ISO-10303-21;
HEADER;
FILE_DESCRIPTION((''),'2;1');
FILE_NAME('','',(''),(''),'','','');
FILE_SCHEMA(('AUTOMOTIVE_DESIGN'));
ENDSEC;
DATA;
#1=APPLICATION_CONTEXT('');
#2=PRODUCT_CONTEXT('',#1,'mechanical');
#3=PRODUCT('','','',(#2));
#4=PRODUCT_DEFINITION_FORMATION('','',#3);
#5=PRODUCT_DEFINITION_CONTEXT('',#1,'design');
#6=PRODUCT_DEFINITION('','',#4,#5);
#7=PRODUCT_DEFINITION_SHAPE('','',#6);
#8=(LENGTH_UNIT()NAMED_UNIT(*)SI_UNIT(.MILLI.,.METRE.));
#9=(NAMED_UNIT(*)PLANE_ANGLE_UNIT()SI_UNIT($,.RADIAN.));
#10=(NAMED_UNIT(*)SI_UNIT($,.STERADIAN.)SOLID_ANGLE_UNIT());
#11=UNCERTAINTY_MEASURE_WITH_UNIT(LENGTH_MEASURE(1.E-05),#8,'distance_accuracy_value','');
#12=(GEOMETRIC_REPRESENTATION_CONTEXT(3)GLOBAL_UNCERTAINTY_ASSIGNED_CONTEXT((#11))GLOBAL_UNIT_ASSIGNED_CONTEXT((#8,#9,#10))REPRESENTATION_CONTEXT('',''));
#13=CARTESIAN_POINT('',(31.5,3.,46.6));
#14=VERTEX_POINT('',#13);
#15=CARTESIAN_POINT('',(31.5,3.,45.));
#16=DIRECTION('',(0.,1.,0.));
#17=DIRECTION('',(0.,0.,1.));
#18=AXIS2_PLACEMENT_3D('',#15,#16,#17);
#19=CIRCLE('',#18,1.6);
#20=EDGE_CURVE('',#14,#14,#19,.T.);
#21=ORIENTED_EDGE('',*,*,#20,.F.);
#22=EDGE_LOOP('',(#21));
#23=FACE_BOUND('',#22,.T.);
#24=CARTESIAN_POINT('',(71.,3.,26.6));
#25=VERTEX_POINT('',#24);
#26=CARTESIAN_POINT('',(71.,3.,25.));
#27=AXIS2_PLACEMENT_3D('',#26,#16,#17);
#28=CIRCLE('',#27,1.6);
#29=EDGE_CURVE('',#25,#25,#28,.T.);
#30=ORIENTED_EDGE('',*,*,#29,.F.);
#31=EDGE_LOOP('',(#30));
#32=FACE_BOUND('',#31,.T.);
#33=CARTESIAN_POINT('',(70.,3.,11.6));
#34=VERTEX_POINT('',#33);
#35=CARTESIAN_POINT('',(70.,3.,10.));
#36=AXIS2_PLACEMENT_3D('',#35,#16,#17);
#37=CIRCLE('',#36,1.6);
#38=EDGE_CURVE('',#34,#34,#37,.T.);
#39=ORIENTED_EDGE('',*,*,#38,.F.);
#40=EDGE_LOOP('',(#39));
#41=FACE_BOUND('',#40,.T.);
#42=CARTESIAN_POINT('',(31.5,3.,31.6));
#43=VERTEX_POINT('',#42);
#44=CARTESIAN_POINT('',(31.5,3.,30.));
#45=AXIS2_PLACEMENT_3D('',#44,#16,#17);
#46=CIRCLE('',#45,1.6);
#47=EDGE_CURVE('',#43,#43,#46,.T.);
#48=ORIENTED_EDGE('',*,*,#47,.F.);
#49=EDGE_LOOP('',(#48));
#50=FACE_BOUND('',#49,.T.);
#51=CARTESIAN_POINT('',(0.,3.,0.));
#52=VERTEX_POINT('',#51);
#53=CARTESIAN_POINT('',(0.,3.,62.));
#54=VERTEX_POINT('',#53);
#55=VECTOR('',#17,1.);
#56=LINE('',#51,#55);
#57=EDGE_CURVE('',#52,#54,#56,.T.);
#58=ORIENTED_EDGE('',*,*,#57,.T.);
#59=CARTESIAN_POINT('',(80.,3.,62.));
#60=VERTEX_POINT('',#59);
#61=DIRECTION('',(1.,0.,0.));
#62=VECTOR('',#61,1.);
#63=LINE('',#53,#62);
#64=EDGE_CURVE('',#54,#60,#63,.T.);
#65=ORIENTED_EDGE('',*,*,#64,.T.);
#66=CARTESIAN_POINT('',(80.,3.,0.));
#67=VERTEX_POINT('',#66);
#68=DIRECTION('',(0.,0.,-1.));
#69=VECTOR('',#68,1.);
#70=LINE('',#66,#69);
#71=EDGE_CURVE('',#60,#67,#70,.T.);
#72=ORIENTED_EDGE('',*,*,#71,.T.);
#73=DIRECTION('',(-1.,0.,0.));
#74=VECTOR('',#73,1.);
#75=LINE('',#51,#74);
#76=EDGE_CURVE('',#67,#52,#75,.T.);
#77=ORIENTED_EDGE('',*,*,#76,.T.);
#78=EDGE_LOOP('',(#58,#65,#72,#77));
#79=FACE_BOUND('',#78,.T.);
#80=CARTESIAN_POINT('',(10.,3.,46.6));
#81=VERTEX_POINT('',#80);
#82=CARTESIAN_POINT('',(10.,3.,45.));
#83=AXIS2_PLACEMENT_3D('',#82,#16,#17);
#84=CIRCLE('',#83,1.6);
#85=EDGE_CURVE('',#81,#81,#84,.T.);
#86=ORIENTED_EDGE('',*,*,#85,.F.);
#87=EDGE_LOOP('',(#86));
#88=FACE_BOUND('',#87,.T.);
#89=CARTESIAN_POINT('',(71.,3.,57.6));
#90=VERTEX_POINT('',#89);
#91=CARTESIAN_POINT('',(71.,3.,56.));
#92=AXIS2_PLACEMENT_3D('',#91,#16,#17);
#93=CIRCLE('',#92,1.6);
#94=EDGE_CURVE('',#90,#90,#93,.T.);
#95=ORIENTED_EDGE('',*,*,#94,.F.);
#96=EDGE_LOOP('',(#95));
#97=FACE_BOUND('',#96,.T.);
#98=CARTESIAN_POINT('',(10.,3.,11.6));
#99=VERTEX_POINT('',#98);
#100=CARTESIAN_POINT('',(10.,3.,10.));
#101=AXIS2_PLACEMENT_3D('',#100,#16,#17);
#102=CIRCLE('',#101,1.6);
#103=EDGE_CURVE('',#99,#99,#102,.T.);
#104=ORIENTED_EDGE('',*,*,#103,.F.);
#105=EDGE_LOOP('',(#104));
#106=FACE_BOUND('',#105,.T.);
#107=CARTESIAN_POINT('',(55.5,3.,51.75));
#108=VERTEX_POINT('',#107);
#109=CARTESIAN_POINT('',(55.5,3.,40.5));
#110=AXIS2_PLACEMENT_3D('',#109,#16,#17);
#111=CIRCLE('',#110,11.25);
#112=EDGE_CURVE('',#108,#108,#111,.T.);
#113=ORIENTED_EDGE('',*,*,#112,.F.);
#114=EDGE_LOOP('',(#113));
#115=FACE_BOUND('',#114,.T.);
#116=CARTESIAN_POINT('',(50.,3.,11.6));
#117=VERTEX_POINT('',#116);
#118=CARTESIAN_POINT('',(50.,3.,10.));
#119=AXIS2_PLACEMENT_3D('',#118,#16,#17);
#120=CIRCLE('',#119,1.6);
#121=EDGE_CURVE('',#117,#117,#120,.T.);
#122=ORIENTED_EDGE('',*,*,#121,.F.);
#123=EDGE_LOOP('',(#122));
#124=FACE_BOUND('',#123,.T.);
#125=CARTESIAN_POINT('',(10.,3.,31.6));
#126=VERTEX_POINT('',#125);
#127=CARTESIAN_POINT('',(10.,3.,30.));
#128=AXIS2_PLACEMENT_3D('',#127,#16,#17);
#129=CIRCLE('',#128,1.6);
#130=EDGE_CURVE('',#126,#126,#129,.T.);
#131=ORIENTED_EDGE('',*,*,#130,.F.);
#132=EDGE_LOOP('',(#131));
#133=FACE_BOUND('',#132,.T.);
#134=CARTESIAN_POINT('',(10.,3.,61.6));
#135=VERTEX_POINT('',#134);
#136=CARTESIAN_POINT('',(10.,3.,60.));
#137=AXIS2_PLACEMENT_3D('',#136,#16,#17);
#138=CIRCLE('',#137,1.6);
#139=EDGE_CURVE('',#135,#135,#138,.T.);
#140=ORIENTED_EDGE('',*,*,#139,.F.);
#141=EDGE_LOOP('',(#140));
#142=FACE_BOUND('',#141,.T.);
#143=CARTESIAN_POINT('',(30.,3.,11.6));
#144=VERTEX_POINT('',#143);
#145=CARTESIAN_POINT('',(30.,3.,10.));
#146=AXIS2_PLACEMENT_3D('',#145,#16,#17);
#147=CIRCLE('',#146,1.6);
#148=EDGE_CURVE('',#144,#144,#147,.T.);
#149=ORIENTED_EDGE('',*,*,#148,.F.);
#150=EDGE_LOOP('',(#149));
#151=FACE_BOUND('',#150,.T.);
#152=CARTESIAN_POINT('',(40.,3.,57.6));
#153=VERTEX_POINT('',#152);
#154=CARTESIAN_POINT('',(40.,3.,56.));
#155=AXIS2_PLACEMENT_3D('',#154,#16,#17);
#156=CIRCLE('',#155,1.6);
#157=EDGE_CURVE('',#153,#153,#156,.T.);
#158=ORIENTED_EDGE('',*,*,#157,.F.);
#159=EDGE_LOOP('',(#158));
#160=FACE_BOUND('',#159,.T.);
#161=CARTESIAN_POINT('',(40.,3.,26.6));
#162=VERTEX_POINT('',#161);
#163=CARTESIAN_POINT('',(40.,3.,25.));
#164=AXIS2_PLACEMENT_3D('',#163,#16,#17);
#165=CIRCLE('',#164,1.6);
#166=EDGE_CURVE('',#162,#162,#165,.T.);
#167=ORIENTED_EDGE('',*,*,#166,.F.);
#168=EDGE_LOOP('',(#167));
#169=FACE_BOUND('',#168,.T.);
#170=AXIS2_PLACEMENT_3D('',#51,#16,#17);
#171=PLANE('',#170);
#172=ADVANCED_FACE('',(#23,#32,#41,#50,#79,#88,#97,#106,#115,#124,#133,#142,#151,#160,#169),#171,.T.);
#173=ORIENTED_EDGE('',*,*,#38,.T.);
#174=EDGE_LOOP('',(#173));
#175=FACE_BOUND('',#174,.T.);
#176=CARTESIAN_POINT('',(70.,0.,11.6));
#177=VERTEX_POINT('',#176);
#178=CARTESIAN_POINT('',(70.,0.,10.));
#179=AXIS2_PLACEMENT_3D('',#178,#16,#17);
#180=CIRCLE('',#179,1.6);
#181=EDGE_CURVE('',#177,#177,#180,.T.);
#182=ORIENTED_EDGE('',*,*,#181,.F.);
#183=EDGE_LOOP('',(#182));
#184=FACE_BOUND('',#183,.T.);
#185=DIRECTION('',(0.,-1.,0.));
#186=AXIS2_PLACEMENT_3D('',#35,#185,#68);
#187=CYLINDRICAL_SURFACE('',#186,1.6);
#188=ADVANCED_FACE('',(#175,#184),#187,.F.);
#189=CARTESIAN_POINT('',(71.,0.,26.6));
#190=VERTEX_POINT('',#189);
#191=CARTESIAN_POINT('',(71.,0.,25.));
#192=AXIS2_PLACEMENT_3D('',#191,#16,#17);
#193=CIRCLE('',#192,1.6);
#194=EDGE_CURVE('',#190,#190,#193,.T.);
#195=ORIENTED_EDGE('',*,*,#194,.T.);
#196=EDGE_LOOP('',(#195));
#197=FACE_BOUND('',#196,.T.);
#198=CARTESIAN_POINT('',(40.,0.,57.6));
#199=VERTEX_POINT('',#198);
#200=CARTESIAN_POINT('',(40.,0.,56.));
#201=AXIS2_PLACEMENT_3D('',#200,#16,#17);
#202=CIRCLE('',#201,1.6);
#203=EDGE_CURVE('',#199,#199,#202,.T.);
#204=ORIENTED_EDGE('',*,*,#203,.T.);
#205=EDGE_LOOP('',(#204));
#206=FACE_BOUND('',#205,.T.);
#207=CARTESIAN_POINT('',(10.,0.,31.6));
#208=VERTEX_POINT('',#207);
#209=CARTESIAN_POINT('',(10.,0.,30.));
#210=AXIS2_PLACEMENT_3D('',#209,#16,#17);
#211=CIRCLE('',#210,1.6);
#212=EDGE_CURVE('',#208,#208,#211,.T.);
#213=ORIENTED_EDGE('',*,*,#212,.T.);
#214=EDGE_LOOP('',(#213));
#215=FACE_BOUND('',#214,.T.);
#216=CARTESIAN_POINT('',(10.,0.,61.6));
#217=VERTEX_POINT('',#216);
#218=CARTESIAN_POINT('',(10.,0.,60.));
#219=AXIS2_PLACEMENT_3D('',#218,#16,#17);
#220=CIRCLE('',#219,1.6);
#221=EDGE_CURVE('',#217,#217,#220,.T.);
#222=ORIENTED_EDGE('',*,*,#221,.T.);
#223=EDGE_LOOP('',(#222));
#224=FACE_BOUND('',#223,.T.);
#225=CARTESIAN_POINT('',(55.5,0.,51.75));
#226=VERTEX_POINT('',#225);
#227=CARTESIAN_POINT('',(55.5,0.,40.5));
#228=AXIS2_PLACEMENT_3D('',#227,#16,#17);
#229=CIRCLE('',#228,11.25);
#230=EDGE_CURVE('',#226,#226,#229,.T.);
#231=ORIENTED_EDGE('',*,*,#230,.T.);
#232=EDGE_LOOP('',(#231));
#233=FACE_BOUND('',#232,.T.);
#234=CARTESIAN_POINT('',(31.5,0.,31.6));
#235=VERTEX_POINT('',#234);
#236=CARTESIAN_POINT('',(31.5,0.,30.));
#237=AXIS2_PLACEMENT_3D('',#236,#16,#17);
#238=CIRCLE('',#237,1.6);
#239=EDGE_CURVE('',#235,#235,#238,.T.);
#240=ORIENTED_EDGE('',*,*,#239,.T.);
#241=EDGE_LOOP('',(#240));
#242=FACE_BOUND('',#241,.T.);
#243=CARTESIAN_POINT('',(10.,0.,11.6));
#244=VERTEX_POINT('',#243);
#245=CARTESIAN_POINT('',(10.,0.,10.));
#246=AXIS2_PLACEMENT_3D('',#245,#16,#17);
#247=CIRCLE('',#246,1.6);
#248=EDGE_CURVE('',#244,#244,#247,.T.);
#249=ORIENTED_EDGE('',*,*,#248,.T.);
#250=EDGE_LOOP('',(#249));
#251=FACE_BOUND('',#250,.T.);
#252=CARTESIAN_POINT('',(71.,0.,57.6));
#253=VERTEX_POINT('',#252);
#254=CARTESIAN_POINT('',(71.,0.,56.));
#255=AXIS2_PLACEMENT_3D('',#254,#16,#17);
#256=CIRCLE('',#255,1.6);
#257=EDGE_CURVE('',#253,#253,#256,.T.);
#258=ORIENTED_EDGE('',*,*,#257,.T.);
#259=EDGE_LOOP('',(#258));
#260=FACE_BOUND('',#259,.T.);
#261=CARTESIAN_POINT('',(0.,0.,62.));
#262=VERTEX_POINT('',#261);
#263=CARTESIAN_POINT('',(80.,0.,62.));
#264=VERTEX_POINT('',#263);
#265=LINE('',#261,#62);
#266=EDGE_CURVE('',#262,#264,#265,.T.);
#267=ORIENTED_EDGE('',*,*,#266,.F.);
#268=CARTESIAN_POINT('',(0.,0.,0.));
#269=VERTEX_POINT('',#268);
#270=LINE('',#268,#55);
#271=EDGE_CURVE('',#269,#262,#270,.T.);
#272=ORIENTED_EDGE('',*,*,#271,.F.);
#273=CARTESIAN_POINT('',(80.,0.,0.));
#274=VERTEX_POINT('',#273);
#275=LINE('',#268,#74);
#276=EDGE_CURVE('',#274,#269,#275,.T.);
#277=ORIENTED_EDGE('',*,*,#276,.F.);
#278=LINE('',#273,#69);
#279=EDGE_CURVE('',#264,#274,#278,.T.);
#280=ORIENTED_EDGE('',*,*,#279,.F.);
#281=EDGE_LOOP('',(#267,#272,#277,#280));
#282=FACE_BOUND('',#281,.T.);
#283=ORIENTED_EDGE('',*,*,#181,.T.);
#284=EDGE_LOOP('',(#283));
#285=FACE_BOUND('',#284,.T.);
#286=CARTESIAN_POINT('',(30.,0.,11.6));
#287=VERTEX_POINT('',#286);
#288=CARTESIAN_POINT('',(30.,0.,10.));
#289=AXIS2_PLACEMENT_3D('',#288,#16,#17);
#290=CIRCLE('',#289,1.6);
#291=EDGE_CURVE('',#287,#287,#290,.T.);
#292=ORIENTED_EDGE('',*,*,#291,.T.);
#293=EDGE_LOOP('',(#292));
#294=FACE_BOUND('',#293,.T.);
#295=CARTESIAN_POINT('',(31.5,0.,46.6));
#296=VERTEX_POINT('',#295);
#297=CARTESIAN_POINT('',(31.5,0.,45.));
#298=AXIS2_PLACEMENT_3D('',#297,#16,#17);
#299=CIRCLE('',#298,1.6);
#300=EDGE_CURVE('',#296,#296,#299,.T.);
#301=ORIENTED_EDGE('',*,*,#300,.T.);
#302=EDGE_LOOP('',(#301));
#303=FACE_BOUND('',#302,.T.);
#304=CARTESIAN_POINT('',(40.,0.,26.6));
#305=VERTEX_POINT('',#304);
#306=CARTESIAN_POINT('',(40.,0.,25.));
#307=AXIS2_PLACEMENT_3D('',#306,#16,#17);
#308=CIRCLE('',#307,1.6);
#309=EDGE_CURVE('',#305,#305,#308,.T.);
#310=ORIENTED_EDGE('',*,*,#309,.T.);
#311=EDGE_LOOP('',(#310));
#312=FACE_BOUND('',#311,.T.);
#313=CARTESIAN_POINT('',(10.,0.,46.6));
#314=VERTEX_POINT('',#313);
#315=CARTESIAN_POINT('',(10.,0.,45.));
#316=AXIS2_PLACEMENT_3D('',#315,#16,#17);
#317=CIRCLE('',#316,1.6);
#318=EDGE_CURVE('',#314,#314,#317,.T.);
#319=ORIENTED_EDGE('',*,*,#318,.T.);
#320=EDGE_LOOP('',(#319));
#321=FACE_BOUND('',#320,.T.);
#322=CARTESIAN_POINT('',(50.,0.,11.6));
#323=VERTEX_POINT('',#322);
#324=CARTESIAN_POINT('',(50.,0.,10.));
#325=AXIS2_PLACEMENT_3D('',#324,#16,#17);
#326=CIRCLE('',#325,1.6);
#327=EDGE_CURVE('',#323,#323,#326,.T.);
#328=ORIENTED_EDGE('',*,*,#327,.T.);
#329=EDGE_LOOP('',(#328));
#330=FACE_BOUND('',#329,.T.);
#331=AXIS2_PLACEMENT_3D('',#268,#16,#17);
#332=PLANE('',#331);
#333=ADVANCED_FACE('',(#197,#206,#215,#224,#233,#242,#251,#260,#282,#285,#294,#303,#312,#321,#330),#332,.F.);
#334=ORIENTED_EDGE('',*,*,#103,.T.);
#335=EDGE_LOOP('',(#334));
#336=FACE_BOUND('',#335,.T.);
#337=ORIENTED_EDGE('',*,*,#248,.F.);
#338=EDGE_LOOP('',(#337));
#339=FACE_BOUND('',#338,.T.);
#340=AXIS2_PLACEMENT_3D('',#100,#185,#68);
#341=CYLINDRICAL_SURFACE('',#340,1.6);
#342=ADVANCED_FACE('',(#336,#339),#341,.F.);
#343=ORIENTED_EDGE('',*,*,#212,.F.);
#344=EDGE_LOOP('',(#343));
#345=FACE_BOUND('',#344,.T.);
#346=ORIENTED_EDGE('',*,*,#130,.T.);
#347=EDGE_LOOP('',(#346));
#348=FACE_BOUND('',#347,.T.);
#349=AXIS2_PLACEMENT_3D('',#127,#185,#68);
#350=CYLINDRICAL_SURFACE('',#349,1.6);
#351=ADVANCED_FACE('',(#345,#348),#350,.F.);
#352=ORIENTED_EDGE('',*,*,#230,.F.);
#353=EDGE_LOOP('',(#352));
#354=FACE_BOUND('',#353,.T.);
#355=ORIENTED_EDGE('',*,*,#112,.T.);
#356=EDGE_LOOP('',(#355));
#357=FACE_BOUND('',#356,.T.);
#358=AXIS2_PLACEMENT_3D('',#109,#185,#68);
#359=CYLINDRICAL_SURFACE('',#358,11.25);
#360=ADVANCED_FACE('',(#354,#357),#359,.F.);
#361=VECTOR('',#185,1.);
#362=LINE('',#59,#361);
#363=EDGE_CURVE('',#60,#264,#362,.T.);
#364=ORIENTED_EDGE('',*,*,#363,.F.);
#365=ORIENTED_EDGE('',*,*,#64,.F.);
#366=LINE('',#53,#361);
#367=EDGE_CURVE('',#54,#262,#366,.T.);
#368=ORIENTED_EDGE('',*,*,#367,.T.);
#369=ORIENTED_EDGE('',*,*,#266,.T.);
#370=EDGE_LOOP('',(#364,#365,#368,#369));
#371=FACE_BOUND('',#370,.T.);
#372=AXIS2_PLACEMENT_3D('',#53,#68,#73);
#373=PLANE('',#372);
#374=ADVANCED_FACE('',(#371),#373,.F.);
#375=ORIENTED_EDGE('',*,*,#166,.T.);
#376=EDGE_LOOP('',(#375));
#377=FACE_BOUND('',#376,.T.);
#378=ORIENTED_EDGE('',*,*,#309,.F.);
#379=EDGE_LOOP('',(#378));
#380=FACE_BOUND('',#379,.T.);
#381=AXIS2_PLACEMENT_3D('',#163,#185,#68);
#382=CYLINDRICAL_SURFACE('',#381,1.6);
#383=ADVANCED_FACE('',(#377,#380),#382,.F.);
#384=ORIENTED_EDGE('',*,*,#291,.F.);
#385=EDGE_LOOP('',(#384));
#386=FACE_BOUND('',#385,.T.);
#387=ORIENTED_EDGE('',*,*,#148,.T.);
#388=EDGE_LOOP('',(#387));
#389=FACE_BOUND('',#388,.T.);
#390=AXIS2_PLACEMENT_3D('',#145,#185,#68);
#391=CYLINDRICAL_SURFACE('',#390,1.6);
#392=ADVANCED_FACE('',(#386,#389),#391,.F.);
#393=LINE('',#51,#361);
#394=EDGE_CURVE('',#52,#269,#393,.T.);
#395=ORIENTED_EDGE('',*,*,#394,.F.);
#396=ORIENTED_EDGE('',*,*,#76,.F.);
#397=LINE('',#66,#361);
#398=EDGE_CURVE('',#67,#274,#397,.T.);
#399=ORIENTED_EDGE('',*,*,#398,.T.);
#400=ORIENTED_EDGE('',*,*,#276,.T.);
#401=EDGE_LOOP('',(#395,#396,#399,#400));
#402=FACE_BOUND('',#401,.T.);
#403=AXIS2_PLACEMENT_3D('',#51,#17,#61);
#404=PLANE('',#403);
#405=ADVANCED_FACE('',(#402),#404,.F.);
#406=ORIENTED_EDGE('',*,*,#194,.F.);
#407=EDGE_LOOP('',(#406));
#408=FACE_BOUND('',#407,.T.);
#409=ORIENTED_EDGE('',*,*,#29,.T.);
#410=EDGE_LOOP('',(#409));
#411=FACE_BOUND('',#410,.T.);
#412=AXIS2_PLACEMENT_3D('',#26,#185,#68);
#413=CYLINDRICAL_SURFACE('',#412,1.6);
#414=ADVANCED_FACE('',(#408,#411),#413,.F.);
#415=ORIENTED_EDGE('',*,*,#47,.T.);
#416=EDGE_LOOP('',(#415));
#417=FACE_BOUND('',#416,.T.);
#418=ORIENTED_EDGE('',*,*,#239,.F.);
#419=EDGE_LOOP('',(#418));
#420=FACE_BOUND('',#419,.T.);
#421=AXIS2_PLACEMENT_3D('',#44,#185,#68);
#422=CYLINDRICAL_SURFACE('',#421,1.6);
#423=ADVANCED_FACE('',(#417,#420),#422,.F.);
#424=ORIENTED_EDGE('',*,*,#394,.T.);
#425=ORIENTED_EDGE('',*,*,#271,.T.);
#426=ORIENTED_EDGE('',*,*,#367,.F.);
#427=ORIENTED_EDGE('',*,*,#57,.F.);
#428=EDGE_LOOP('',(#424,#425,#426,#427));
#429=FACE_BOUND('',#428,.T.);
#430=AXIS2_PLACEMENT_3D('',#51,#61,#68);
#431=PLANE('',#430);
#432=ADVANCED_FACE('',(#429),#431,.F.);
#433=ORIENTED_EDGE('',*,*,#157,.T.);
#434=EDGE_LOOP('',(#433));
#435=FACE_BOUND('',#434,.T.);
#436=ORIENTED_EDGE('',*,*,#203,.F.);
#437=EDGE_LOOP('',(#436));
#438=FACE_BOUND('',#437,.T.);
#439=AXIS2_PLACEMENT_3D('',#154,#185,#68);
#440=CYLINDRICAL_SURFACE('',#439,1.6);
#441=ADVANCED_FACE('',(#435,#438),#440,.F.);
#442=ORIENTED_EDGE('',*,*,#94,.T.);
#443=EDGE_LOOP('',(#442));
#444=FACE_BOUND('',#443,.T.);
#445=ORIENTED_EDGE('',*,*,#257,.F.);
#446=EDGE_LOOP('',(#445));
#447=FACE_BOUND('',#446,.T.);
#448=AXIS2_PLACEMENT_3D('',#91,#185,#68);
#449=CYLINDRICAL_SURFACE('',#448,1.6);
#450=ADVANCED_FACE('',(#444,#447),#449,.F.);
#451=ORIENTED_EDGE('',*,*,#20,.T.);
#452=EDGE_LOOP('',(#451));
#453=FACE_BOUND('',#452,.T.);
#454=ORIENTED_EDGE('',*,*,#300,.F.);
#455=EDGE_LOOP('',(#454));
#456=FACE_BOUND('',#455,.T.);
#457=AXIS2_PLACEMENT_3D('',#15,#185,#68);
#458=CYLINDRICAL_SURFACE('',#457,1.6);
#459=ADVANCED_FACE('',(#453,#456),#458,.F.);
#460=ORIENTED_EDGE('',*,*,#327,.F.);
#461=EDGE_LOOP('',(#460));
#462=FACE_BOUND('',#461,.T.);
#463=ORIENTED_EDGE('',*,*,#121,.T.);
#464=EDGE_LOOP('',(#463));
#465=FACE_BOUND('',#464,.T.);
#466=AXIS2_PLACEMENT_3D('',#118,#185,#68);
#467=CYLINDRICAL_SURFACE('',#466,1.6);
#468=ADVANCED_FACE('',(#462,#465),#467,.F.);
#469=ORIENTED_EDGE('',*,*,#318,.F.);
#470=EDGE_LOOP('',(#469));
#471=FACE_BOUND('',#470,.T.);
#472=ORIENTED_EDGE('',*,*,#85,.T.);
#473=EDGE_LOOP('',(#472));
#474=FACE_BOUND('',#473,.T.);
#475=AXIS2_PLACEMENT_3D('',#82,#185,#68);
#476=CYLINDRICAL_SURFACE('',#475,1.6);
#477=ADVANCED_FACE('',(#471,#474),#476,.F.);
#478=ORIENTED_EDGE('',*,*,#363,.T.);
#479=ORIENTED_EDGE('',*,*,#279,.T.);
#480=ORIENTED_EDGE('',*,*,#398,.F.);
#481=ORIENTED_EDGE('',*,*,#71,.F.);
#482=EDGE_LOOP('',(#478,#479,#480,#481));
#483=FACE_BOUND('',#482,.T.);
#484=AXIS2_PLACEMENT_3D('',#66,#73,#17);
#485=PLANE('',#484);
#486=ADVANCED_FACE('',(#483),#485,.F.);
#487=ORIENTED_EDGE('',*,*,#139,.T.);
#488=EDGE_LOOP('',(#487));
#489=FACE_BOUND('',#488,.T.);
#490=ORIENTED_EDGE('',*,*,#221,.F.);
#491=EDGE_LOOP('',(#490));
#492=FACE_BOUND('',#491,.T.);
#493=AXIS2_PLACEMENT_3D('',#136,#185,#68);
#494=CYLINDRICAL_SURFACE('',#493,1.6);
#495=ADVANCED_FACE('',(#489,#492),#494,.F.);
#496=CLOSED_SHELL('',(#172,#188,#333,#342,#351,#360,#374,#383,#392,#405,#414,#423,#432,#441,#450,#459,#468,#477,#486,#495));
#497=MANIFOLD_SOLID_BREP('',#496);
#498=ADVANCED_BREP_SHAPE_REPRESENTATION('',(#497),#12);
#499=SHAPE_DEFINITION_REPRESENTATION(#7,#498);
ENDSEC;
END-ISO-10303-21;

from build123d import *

# Parameters (mm, degrees)
SKETCH_1_W      = 80
SKETCH_1_H      = 62
SKETCH_1_R      = 1.6
SKETCH_1_R_2    = 11.25
EXTRUDE_1_DEPTH = 3


with BuildPart() as part:
    # 草图1 → 凸台-拉伸1 (new body)
    with BuildSketch(Plane(origin=(0, 0, 0), x_dir=(1, 0, 0), z_dir=(0, 1, 0))):
        with Locations((40, -31)):
            Rectangle(SKETCH_1_W, SKETCH_1_H)
        with Locations(Location((10, -10, 0), (0, 0, 270))):
            Circle(SKETCH_1_R, mode=Mode.SUBTRACT)
        with Locations(Location((10, -30, 0), (0, 0, 270))):
            Circle(SKETCH_1_R, mode=Mode.SUBTRACT)
        with Locations(Location((10, -45, 0), (0, 0, 270))):
            Circle(SKETCH_1_R, mode=Mode.SUBTRACT)
        with Locations(Location((10, -60, 0), (0, 0, 270))):
            Circle(SKETCH_1_R, mode=Mode.SUBTRACT)
        with Locations(Location((30, -10, 0), (0, 0, 270))):
            Circle(SKETCH_1_R, mode=Mode.SUBTRACT)
        with Locations(Location((71, -25, 0), (0, 0, 270))):
            Circle(SKETCH_1_R, mode=Mode.SUBTRACT)
        with Locations(Location((40, -25, 0), (0, 0, 270))):
            Circle(SKETCH_1_R, mode=Mode.SUBTRACT)
        with Locations(Location((40, -56, 0), (0, 0, 270))):
            Circle(SKETCH_1_R, mode=Mode.SUBTRACT)
        with Locations(Location((71, -56, 0), (0, 0, 270))):
            Circle(SKETCH_1_R, mode=Mode.SUBTRACT)
        with Locations(Location((55.5, -40.5, 0), (0, 0, 270))):
            Circle(SKETCH_1_R_2, mode=Mode.SUBTRACT)
        with Locations(Location((50, -10, 0), (0, 0, 270))):
            Circle(SKETCH_1_R, mode=Mode.SUBTRACT)
        with Locations(Location((70, -10, 0), (0, 0, 270))):
            Circle(SKETCH_1_R, mode=Mode.SUBTRACT)
        with Locations(Location((31.5, -30, 0), (0, 0, 270))):
            Circle(SKETCH_1_R, mode=Mode.SUBTRACT)
        with Locations(Location((31.5, -45, 0), (0, 0, 270))):
            Circle(SKETCH_1_R, mode=Mode.SUBTRACT)
    extrude(amount=EXTRUDE_1_DEPTH)


solid = part.part
